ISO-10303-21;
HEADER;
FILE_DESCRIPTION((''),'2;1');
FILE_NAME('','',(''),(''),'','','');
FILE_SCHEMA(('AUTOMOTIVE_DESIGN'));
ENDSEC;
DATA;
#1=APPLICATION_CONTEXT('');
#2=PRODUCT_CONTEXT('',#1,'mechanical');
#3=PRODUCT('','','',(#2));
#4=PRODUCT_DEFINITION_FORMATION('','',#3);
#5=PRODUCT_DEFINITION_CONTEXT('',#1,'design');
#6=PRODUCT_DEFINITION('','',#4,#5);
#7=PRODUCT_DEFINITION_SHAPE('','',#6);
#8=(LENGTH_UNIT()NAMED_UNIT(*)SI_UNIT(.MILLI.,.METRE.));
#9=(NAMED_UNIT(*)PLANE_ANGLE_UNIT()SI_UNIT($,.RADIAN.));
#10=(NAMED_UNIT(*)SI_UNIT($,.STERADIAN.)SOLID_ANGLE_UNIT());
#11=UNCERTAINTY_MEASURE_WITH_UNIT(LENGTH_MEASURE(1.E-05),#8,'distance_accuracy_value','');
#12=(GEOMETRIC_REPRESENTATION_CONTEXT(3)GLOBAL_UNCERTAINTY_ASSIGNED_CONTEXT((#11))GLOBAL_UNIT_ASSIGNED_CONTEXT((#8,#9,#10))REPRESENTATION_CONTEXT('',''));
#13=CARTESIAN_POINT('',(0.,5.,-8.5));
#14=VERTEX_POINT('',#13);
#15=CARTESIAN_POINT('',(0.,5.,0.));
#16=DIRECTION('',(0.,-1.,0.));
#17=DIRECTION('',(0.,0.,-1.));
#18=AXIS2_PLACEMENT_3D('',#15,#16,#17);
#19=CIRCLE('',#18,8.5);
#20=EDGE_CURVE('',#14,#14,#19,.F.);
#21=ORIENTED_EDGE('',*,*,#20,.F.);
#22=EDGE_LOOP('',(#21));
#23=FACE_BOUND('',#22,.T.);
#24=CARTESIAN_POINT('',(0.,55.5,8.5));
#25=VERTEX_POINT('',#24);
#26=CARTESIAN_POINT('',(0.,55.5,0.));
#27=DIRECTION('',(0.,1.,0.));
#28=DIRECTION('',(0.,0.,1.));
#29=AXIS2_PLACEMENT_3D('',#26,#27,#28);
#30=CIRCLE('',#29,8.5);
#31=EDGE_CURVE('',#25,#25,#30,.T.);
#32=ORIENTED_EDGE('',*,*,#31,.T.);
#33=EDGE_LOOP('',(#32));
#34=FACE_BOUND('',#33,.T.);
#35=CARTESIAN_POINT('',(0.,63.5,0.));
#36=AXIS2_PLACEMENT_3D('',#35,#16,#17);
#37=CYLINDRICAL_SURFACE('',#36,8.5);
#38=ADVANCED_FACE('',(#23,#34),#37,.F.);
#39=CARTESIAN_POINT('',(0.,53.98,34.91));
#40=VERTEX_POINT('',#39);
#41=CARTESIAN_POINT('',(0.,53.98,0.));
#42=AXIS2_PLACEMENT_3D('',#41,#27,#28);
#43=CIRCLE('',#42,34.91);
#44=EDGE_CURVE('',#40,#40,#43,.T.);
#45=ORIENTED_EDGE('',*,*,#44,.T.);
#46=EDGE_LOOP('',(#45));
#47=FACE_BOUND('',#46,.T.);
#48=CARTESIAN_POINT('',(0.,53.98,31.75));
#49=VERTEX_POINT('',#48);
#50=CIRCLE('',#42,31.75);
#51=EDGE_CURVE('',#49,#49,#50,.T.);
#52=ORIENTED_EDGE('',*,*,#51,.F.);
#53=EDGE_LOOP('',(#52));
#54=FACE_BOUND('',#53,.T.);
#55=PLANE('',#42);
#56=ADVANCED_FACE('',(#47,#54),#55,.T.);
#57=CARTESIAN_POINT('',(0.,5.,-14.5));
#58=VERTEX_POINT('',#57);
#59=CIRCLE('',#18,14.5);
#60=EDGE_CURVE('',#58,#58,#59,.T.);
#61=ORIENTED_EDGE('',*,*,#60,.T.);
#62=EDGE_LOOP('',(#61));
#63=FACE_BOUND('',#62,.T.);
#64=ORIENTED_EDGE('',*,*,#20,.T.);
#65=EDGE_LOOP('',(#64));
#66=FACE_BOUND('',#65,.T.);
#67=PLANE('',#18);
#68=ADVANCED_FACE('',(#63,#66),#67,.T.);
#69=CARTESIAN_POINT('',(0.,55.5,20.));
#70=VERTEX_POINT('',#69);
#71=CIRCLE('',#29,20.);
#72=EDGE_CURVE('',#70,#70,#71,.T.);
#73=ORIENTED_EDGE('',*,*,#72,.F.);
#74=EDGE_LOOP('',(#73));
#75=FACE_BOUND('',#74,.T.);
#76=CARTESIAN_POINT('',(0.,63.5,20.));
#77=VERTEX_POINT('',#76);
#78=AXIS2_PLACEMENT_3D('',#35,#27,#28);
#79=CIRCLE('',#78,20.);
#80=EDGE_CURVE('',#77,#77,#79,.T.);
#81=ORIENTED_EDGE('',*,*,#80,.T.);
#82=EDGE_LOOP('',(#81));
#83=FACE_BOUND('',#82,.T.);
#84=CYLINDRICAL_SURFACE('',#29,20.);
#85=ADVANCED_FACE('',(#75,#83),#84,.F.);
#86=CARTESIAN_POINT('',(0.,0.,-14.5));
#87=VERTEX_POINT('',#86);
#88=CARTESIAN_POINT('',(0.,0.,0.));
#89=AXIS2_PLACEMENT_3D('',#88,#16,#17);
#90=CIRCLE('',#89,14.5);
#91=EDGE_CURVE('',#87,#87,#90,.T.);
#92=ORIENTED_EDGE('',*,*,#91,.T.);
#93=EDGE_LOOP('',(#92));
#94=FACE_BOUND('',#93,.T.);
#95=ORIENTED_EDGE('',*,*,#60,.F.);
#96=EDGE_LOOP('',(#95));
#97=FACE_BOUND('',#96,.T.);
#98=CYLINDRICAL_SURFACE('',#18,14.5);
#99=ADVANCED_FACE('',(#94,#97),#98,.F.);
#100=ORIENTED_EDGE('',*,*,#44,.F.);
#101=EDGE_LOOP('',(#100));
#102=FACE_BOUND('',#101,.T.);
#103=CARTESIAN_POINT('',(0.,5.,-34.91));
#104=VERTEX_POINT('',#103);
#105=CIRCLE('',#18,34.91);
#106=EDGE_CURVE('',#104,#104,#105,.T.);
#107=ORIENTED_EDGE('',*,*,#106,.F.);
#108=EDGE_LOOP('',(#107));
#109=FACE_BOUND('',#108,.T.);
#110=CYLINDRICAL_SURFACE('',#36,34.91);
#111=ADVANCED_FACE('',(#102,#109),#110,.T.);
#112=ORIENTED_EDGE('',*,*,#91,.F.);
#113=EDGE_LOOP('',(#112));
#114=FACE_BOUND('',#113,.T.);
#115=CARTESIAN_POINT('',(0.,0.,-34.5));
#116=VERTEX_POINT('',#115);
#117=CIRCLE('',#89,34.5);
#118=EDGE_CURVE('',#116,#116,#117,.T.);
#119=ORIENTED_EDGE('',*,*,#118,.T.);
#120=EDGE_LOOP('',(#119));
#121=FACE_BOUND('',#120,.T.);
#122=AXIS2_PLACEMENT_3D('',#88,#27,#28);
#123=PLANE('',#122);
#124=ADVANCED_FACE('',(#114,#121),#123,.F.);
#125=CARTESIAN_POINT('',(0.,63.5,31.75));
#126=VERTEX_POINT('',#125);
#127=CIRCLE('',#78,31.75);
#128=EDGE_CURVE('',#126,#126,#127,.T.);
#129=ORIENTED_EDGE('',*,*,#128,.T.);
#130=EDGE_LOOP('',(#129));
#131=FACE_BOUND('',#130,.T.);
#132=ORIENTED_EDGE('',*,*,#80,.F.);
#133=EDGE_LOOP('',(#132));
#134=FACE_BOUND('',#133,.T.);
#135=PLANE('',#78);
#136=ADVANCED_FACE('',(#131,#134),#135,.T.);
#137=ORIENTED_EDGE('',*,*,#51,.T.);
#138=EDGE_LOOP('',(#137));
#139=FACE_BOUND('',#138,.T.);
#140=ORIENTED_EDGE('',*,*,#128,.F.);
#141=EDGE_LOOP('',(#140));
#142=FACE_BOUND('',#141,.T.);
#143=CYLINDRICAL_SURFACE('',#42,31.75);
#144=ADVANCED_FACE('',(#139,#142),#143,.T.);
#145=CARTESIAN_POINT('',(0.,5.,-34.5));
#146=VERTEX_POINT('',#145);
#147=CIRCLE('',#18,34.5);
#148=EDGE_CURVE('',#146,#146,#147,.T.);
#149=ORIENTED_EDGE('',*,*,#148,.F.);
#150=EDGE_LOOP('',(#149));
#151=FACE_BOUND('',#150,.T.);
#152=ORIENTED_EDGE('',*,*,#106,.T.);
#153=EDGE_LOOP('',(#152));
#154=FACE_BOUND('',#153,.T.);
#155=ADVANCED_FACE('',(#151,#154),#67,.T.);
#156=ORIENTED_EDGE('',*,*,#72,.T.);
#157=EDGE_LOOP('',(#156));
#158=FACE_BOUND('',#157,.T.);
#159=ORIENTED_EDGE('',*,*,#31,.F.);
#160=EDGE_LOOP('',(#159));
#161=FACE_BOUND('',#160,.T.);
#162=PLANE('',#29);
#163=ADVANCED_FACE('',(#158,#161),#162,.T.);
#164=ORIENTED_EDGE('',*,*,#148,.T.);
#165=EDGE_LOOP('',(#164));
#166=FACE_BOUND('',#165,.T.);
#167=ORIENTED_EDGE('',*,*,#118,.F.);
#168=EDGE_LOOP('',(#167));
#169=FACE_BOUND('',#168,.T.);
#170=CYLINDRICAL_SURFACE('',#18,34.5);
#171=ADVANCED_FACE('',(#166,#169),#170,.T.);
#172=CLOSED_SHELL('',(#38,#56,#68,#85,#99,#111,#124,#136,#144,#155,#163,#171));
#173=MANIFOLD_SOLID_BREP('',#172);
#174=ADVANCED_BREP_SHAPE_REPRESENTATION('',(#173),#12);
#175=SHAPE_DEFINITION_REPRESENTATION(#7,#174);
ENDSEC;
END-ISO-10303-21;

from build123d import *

# Parameters (mm, degrees)
SKETCH1_R           = 34.91
BOSS_EXTRUDE1_DEPTH = 63.5
SKETCH2_OUTSIDE_W   = 95.3
SKETCH2_OUTSIDE_H   = 95.3
SKETCH2_OUTSIDE_R   = 34.5
CUT_EXTRUDE1_DEPTH  = 5
SKETCH3_OUTSIDE_W   = 95.3
SKETCH3_OUTSIDE_H   = 95.3
SKETCH3_OUTSIDE_R   = 31.75
CUT_EXTRUDE2_DEPTH  = 9.52
SKETCH4_R           = 20
CUT_EXTRUDE3_DEPTH  = 8
SKETCH5_R           = 8.5
CUT_EXTRUDE4_DEPTH  = 64.5
SKETCH6_R           = 14.5
CUT_EXTRUDE5_DEPTH  = 5


with BuildPart() as part:
    # Sketch1 → Boss-Extrude1 (new body)
    with BuildSketch(Plane(origin=(0, 0, 0), x_dir=(1, 0, 0), z_dir=(0, 1, 0))):
        Circle(SKETCH1_R)
    extrude(amount=BOSS_EXTRUDE1_DEPTH)

    # Sketch2 outside → Cut-Extrude1 (cut)
    with BuildSketch(Plane.XZ):
        Rectangle(SKETCH2_OUTSIDE_W, SKETCH2_OUTSIDE_H)
        Circle(SKETCH2_OUTSIDE_R, mode=Mode.SUBTRACT)
    extrude(amount=-CUT_EXTRUDE1_DEPTH, mode=Mode.SUBTRACT)

    # Sketch3 outside → Cut-Extrude2 (cut)
    with BuildSketch(Plane(origin=(0, 63.5, 0), x_dir=(1, 0, 0), z_dir=(0, 1, 0))):
        Rectangle(SKETCH3_OUTSIDE_W, SKETCH3_OUTSIDE_H)
        Circle(SKETCH3_OUTSIDE_R, mode=Mode.SUBTRACT)
    extrude(amount=-CUT_EXTRUDE2_DEPTH, mode=Mode.SUBTRACT)

    # Sketch4 → Cut-Extrude3 (cut)
    with BuildSketch(Plane(origin=(0, 63.5, 0), x_dir=(1, 0, 0), z_dir=(0, 1, 0))):
        Circle(SKETCH4_R)
    extrude(amount=-CUT_EXTRUDE3_DEPTH, mode=Mode.SUBTRACT)

    # Sketch5 → Cut-Extrude4 (cut, through all)
    with BuildSketch(Plane.XZ):
        Circle(SKETCH5_R)
    extrude(amount=-CUT_EXTRUDE4_DEPTH, mode=Mode.SUBTRACT)

    # Sketch6 → Cut-Extrude5 (cut)
    with BuildSketch(Plane.XZ):
        Circle(SKETCH6_R)
    extrude(amount=-CUT_EXTRUDE5_DEPTH, mode=Mode.SUBTRACT)


solid = part.part
